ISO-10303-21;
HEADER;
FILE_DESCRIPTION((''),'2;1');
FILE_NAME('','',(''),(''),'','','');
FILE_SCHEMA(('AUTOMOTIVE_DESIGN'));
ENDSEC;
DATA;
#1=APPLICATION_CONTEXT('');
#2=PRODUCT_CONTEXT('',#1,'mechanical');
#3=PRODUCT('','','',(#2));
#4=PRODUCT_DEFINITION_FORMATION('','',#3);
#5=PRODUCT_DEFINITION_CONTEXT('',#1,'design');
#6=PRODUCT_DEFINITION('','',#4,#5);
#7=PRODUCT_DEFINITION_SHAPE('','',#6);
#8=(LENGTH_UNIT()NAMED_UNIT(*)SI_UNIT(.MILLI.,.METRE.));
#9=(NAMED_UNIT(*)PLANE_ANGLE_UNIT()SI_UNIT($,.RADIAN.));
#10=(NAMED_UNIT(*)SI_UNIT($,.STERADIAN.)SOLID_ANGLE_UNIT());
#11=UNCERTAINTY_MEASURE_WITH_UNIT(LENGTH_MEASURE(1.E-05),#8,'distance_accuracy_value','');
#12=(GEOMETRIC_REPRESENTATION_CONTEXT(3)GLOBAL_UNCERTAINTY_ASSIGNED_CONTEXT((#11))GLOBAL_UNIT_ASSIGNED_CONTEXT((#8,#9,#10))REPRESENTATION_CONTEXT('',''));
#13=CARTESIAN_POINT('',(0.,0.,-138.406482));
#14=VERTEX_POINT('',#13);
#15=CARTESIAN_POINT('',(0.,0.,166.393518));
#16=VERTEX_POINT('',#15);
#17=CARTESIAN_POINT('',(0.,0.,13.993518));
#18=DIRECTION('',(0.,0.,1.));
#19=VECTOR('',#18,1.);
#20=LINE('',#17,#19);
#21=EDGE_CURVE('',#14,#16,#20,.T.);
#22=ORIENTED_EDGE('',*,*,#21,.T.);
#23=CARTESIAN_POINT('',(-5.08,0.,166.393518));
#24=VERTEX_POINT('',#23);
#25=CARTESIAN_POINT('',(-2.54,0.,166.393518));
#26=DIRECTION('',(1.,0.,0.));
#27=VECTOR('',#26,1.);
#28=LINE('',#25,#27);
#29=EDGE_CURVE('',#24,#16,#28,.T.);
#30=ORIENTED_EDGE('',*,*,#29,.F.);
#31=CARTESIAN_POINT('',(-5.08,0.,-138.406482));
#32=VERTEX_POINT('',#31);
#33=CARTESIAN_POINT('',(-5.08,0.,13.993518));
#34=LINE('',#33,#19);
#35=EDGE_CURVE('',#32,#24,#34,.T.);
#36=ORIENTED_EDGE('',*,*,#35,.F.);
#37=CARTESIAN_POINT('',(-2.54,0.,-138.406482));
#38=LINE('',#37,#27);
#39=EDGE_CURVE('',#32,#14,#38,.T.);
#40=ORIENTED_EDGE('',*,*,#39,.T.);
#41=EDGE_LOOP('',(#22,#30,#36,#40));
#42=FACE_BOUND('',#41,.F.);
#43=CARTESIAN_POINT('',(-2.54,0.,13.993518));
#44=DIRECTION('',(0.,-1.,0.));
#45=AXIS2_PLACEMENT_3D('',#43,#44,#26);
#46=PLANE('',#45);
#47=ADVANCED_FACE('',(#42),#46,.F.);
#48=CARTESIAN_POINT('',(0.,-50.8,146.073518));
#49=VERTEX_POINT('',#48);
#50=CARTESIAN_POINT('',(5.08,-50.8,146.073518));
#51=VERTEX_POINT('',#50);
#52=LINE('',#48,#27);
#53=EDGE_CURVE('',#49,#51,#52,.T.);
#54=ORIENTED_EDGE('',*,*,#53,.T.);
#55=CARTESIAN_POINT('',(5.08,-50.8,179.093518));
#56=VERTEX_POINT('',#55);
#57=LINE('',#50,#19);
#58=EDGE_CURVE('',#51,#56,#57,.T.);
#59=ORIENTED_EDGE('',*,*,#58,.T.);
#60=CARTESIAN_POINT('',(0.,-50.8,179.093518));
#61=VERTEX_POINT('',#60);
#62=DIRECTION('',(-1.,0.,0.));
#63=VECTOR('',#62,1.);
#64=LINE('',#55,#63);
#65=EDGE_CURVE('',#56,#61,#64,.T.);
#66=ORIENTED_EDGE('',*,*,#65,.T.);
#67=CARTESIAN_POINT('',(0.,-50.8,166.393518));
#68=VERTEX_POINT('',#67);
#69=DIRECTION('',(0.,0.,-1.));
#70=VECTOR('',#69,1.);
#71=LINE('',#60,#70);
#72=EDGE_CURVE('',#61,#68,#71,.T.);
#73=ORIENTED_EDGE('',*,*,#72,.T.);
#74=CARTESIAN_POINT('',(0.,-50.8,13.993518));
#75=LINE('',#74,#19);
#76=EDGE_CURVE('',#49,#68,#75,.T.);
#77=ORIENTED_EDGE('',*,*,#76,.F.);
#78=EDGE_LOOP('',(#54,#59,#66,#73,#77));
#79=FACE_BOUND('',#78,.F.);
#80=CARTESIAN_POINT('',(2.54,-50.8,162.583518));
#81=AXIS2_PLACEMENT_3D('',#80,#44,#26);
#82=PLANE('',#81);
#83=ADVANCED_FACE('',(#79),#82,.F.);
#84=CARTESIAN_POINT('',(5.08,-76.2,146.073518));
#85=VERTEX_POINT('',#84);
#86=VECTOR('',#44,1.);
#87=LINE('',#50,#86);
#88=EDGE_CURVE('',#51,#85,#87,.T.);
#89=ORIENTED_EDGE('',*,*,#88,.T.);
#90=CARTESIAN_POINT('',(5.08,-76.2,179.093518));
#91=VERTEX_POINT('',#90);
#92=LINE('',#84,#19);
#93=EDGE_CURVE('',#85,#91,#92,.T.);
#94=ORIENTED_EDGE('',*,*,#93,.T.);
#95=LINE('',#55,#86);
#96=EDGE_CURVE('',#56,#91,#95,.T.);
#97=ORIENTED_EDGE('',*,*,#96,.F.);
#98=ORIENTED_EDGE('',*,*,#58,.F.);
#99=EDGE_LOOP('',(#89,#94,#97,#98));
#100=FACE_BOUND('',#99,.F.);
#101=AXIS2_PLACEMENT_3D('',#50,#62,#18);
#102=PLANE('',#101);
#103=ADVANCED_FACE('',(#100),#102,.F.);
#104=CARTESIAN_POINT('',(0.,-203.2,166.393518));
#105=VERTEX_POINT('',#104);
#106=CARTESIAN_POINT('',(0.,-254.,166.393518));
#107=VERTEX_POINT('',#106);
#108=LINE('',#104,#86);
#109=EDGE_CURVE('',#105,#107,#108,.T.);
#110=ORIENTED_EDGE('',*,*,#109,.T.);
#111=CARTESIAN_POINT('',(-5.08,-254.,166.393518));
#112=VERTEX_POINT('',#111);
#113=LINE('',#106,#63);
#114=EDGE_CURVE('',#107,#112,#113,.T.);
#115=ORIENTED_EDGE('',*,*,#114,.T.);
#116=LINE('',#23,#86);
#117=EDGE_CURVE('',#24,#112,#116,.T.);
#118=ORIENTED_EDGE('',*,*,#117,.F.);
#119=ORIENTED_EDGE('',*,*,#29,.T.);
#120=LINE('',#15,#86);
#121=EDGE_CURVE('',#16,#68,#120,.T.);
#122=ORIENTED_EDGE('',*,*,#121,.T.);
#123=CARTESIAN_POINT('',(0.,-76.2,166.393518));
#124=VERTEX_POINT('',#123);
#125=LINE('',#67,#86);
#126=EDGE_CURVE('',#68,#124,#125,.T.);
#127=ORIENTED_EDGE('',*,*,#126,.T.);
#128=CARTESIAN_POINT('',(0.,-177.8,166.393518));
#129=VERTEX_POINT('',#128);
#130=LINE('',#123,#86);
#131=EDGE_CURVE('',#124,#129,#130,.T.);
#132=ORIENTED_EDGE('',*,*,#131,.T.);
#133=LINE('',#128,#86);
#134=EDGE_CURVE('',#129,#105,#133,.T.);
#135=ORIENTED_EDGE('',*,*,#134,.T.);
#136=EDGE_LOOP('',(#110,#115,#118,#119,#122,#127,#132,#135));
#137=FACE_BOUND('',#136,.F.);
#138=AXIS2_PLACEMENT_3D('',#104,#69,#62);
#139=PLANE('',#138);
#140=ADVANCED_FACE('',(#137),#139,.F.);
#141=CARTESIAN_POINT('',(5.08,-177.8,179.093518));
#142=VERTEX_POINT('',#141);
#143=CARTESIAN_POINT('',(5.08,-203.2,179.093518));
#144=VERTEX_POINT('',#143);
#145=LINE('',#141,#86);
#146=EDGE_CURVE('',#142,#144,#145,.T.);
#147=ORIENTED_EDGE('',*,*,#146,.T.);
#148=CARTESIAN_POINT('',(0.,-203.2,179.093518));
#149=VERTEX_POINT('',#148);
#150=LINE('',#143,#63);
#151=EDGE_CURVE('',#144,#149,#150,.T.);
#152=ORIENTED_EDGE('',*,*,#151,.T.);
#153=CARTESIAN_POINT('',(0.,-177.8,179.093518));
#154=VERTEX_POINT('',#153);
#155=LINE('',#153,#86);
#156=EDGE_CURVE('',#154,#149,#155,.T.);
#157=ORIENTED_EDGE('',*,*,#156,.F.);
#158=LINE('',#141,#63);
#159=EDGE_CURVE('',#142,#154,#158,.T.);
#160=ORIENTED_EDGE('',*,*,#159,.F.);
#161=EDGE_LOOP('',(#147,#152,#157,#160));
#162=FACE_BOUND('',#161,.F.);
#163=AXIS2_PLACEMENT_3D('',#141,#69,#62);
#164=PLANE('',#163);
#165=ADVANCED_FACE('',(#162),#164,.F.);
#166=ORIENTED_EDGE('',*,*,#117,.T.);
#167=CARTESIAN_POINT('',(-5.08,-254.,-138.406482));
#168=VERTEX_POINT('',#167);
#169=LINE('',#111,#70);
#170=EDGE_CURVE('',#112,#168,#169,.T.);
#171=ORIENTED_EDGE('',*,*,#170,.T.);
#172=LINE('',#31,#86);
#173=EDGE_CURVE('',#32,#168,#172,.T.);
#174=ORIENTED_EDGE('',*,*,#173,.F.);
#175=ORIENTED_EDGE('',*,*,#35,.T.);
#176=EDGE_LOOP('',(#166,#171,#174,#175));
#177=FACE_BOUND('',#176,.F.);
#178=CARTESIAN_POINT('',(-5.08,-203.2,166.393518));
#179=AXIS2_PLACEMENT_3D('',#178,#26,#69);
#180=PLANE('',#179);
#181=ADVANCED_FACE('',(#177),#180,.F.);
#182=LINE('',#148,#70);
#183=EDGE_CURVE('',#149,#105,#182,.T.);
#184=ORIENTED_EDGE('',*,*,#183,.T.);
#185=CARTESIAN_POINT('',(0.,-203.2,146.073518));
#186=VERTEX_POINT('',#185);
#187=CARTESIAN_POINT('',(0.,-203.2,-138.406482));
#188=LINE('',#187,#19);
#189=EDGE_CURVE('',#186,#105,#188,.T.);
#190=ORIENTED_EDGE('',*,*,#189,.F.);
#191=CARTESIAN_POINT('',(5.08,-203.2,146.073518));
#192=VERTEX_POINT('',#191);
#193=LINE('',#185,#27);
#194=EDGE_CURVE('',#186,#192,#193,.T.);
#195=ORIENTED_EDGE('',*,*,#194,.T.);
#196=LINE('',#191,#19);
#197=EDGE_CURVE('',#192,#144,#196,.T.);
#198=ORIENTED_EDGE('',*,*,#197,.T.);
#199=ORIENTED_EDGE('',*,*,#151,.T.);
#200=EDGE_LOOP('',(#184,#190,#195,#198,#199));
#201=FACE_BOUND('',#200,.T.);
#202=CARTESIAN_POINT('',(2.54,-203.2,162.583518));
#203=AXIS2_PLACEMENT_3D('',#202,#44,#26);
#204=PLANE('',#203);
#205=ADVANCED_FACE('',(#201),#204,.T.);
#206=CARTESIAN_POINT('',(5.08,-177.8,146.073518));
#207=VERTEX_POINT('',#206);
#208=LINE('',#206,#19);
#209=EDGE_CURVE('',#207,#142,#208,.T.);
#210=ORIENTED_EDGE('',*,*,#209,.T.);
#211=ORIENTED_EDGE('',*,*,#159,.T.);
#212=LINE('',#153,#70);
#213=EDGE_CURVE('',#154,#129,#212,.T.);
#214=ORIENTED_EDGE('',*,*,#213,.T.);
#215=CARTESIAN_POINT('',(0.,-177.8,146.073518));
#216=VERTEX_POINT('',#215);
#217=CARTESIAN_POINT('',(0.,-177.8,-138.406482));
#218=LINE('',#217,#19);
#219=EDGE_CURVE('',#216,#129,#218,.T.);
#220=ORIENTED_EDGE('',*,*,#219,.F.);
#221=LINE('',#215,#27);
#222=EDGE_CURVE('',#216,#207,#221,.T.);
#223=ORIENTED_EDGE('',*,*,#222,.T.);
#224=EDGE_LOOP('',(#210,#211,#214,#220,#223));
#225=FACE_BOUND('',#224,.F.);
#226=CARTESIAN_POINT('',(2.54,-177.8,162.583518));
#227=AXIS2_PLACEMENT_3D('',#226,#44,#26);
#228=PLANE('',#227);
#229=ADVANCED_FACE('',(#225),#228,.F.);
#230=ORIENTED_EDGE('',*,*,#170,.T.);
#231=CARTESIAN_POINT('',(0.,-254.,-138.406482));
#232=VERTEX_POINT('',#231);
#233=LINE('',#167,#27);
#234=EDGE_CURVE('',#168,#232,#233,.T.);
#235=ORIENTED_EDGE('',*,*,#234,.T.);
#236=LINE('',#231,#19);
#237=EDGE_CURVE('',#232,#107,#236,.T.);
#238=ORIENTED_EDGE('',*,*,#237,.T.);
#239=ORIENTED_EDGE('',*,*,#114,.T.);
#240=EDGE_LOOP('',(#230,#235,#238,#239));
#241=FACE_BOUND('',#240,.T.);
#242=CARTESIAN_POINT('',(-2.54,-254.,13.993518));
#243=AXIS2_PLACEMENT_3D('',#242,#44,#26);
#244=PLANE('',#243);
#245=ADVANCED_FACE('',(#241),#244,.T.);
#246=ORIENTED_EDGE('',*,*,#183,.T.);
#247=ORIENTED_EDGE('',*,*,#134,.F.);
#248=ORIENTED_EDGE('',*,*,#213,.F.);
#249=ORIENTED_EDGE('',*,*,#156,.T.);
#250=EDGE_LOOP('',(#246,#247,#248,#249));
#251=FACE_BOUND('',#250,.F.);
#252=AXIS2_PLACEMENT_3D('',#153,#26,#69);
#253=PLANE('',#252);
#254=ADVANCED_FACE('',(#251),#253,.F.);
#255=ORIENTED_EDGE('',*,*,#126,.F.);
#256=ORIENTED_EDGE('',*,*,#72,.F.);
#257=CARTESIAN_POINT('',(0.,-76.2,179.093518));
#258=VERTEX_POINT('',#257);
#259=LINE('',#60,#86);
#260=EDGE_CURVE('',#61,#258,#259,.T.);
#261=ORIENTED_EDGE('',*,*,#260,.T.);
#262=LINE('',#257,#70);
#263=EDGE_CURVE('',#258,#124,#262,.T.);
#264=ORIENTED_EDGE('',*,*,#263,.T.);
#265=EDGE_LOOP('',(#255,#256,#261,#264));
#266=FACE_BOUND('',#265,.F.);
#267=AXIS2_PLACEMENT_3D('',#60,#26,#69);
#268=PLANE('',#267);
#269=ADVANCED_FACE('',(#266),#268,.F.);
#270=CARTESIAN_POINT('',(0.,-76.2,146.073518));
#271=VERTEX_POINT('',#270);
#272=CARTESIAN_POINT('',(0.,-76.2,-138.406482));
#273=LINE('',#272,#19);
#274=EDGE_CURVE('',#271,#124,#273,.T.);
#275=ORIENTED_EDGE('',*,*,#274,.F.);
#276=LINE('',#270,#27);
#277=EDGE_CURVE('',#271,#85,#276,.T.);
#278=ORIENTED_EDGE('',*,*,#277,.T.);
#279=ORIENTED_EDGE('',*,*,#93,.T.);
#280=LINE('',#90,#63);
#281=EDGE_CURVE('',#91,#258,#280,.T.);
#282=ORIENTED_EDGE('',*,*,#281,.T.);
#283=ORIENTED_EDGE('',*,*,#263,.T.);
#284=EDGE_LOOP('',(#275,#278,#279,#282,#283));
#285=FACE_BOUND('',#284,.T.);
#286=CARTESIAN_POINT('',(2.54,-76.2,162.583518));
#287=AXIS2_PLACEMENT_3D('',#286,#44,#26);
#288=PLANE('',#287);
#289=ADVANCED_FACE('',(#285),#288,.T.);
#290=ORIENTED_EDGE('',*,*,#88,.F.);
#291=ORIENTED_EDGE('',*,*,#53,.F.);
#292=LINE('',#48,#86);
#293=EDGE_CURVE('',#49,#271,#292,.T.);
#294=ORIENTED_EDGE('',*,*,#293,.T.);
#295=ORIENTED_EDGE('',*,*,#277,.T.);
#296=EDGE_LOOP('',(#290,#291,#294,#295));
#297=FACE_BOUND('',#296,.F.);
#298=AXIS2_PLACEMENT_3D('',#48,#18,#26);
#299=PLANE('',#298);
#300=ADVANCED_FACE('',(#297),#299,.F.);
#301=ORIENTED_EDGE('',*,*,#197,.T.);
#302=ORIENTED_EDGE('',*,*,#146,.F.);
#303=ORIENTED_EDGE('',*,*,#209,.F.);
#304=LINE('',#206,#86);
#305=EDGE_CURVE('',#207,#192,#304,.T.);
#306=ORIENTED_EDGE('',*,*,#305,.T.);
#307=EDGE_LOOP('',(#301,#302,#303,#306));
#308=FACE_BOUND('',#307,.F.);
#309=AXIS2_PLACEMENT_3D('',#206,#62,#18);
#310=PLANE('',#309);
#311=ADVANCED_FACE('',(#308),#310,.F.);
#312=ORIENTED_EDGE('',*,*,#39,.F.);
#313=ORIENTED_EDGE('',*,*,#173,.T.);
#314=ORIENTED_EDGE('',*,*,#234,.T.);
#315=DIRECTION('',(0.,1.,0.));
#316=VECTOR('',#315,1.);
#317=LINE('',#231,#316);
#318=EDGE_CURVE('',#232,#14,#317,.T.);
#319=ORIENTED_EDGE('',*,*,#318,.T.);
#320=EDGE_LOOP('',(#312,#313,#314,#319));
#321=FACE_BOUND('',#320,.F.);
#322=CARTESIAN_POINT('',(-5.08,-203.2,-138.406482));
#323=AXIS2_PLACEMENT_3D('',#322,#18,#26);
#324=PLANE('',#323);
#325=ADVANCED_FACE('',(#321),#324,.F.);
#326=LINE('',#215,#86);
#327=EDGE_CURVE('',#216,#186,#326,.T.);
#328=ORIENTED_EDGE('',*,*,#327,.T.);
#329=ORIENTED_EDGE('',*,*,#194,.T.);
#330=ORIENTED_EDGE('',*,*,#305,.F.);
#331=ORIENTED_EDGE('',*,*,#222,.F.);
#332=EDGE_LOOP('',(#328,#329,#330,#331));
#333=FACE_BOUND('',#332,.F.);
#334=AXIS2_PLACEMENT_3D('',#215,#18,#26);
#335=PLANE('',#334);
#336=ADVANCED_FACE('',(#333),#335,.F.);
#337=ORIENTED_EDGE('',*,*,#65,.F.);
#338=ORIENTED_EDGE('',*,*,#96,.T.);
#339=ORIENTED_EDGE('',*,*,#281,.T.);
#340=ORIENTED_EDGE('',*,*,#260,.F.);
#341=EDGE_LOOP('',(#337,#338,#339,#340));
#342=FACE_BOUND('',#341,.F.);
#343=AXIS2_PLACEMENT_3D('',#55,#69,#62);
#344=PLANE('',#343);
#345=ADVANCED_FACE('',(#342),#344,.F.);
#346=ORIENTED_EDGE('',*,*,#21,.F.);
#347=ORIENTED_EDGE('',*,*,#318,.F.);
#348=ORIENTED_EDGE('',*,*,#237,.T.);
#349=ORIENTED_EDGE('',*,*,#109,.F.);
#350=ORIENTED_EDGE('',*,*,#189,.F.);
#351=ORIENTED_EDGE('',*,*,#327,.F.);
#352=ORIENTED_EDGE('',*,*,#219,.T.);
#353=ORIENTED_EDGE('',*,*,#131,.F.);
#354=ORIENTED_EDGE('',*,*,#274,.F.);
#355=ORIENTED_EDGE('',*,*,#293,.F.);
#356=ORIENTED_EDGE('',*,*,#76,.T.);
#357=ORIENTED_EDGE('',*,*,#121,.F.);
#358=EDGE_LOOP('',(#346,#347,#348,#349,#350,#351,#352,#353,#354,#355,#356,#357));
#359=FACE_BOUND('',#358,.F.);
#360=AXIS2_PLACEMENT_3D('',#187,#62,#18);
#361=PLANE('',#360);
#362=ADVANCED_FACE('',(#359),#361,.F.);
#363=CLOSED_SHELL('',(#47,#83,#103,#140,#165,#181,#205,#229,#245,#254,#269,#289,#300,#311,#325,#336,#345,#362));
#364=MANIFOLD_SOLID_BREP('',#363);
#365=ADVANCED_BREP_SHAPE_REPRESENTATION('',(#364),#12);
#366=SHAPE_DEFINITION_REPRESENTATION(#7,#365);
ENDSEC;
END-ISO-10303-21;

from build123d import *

# Parameters (mm, degrees)
F0_W     = 5.08
F0_H     = 304.8
F1_DEPTH = 50.8
F3_DEPTH = 25.4
F5_DEPTH = 101.6
F7_DEPTH = 25.4
F9_DEPTH = 50.8


with BuildPart() as f1:
    # F0 (on Front) → F1 (new body)
    with BuildSketch(Plane.XZ):
        with Locations((-2.54, 13.9935184479)):
            Rectangle(F0_W, F0_H)
    extrude(amount=F1_DEPTH)

    # F2 (on face) → F3 (join)
    with BuildSketch(Plane.XZ.offset(50.8)):
        Polygon((0, 179.0935184479), (0, 166.3935184479), (0, 146.0735184479), (5.08, 146.0735184479), (5.08, 179.0935184479), align=None)
        Polygon((0, 146.0735184479), (0, 166.3935184479), (-5.08, 166.3935184479), (-5.08, -138.4064815521), (0, -138.4064815521), align=None)
    extrude(amount=F3_DEPTH)

    # F4 (on face) → F5 (join)
    with BuildSketch(Plane.XZ.offset(76.2)):
        Polygon((0, 166.3935184479), (-5.08, 166.3935184479), (-5.08, -138.4064815521), (0, -138.4064815521), (0, 146.0735184479), align=None)
    extrude(amount=F5_DEPTH)

    # F6 (on face) → F7 (join)
    with BuildSketch(Plane.XZ.offset(177.8)):
        Polygon((0, 179.0935184479), (0, 166.3935184479), (0, 146.0735184479), (5.08, 146.0735184479), (5.08, 179.0935184479), align=None)
        Polygon((0, 146.0735184479), (0, 166.3935184479), (-5.08, 166.3935184479), (-5.08, -138.4064815521), (0, -138.4064815521), align=None)
    extrude(amount=F7_DEPTH)

    # F8 (on face) → F9 (join)
    with BuildSketch(Plane.XZ.offset(203.2)):
        Polygon((0, 166.3935184479), (-5.08, 166.3935184479), (-5.08, -138.4064815521), (0, -138.4064815521), (0, 146.0735184479), align=None)
    extrude(amount=F9_DEPTH)


solid = f1.part
